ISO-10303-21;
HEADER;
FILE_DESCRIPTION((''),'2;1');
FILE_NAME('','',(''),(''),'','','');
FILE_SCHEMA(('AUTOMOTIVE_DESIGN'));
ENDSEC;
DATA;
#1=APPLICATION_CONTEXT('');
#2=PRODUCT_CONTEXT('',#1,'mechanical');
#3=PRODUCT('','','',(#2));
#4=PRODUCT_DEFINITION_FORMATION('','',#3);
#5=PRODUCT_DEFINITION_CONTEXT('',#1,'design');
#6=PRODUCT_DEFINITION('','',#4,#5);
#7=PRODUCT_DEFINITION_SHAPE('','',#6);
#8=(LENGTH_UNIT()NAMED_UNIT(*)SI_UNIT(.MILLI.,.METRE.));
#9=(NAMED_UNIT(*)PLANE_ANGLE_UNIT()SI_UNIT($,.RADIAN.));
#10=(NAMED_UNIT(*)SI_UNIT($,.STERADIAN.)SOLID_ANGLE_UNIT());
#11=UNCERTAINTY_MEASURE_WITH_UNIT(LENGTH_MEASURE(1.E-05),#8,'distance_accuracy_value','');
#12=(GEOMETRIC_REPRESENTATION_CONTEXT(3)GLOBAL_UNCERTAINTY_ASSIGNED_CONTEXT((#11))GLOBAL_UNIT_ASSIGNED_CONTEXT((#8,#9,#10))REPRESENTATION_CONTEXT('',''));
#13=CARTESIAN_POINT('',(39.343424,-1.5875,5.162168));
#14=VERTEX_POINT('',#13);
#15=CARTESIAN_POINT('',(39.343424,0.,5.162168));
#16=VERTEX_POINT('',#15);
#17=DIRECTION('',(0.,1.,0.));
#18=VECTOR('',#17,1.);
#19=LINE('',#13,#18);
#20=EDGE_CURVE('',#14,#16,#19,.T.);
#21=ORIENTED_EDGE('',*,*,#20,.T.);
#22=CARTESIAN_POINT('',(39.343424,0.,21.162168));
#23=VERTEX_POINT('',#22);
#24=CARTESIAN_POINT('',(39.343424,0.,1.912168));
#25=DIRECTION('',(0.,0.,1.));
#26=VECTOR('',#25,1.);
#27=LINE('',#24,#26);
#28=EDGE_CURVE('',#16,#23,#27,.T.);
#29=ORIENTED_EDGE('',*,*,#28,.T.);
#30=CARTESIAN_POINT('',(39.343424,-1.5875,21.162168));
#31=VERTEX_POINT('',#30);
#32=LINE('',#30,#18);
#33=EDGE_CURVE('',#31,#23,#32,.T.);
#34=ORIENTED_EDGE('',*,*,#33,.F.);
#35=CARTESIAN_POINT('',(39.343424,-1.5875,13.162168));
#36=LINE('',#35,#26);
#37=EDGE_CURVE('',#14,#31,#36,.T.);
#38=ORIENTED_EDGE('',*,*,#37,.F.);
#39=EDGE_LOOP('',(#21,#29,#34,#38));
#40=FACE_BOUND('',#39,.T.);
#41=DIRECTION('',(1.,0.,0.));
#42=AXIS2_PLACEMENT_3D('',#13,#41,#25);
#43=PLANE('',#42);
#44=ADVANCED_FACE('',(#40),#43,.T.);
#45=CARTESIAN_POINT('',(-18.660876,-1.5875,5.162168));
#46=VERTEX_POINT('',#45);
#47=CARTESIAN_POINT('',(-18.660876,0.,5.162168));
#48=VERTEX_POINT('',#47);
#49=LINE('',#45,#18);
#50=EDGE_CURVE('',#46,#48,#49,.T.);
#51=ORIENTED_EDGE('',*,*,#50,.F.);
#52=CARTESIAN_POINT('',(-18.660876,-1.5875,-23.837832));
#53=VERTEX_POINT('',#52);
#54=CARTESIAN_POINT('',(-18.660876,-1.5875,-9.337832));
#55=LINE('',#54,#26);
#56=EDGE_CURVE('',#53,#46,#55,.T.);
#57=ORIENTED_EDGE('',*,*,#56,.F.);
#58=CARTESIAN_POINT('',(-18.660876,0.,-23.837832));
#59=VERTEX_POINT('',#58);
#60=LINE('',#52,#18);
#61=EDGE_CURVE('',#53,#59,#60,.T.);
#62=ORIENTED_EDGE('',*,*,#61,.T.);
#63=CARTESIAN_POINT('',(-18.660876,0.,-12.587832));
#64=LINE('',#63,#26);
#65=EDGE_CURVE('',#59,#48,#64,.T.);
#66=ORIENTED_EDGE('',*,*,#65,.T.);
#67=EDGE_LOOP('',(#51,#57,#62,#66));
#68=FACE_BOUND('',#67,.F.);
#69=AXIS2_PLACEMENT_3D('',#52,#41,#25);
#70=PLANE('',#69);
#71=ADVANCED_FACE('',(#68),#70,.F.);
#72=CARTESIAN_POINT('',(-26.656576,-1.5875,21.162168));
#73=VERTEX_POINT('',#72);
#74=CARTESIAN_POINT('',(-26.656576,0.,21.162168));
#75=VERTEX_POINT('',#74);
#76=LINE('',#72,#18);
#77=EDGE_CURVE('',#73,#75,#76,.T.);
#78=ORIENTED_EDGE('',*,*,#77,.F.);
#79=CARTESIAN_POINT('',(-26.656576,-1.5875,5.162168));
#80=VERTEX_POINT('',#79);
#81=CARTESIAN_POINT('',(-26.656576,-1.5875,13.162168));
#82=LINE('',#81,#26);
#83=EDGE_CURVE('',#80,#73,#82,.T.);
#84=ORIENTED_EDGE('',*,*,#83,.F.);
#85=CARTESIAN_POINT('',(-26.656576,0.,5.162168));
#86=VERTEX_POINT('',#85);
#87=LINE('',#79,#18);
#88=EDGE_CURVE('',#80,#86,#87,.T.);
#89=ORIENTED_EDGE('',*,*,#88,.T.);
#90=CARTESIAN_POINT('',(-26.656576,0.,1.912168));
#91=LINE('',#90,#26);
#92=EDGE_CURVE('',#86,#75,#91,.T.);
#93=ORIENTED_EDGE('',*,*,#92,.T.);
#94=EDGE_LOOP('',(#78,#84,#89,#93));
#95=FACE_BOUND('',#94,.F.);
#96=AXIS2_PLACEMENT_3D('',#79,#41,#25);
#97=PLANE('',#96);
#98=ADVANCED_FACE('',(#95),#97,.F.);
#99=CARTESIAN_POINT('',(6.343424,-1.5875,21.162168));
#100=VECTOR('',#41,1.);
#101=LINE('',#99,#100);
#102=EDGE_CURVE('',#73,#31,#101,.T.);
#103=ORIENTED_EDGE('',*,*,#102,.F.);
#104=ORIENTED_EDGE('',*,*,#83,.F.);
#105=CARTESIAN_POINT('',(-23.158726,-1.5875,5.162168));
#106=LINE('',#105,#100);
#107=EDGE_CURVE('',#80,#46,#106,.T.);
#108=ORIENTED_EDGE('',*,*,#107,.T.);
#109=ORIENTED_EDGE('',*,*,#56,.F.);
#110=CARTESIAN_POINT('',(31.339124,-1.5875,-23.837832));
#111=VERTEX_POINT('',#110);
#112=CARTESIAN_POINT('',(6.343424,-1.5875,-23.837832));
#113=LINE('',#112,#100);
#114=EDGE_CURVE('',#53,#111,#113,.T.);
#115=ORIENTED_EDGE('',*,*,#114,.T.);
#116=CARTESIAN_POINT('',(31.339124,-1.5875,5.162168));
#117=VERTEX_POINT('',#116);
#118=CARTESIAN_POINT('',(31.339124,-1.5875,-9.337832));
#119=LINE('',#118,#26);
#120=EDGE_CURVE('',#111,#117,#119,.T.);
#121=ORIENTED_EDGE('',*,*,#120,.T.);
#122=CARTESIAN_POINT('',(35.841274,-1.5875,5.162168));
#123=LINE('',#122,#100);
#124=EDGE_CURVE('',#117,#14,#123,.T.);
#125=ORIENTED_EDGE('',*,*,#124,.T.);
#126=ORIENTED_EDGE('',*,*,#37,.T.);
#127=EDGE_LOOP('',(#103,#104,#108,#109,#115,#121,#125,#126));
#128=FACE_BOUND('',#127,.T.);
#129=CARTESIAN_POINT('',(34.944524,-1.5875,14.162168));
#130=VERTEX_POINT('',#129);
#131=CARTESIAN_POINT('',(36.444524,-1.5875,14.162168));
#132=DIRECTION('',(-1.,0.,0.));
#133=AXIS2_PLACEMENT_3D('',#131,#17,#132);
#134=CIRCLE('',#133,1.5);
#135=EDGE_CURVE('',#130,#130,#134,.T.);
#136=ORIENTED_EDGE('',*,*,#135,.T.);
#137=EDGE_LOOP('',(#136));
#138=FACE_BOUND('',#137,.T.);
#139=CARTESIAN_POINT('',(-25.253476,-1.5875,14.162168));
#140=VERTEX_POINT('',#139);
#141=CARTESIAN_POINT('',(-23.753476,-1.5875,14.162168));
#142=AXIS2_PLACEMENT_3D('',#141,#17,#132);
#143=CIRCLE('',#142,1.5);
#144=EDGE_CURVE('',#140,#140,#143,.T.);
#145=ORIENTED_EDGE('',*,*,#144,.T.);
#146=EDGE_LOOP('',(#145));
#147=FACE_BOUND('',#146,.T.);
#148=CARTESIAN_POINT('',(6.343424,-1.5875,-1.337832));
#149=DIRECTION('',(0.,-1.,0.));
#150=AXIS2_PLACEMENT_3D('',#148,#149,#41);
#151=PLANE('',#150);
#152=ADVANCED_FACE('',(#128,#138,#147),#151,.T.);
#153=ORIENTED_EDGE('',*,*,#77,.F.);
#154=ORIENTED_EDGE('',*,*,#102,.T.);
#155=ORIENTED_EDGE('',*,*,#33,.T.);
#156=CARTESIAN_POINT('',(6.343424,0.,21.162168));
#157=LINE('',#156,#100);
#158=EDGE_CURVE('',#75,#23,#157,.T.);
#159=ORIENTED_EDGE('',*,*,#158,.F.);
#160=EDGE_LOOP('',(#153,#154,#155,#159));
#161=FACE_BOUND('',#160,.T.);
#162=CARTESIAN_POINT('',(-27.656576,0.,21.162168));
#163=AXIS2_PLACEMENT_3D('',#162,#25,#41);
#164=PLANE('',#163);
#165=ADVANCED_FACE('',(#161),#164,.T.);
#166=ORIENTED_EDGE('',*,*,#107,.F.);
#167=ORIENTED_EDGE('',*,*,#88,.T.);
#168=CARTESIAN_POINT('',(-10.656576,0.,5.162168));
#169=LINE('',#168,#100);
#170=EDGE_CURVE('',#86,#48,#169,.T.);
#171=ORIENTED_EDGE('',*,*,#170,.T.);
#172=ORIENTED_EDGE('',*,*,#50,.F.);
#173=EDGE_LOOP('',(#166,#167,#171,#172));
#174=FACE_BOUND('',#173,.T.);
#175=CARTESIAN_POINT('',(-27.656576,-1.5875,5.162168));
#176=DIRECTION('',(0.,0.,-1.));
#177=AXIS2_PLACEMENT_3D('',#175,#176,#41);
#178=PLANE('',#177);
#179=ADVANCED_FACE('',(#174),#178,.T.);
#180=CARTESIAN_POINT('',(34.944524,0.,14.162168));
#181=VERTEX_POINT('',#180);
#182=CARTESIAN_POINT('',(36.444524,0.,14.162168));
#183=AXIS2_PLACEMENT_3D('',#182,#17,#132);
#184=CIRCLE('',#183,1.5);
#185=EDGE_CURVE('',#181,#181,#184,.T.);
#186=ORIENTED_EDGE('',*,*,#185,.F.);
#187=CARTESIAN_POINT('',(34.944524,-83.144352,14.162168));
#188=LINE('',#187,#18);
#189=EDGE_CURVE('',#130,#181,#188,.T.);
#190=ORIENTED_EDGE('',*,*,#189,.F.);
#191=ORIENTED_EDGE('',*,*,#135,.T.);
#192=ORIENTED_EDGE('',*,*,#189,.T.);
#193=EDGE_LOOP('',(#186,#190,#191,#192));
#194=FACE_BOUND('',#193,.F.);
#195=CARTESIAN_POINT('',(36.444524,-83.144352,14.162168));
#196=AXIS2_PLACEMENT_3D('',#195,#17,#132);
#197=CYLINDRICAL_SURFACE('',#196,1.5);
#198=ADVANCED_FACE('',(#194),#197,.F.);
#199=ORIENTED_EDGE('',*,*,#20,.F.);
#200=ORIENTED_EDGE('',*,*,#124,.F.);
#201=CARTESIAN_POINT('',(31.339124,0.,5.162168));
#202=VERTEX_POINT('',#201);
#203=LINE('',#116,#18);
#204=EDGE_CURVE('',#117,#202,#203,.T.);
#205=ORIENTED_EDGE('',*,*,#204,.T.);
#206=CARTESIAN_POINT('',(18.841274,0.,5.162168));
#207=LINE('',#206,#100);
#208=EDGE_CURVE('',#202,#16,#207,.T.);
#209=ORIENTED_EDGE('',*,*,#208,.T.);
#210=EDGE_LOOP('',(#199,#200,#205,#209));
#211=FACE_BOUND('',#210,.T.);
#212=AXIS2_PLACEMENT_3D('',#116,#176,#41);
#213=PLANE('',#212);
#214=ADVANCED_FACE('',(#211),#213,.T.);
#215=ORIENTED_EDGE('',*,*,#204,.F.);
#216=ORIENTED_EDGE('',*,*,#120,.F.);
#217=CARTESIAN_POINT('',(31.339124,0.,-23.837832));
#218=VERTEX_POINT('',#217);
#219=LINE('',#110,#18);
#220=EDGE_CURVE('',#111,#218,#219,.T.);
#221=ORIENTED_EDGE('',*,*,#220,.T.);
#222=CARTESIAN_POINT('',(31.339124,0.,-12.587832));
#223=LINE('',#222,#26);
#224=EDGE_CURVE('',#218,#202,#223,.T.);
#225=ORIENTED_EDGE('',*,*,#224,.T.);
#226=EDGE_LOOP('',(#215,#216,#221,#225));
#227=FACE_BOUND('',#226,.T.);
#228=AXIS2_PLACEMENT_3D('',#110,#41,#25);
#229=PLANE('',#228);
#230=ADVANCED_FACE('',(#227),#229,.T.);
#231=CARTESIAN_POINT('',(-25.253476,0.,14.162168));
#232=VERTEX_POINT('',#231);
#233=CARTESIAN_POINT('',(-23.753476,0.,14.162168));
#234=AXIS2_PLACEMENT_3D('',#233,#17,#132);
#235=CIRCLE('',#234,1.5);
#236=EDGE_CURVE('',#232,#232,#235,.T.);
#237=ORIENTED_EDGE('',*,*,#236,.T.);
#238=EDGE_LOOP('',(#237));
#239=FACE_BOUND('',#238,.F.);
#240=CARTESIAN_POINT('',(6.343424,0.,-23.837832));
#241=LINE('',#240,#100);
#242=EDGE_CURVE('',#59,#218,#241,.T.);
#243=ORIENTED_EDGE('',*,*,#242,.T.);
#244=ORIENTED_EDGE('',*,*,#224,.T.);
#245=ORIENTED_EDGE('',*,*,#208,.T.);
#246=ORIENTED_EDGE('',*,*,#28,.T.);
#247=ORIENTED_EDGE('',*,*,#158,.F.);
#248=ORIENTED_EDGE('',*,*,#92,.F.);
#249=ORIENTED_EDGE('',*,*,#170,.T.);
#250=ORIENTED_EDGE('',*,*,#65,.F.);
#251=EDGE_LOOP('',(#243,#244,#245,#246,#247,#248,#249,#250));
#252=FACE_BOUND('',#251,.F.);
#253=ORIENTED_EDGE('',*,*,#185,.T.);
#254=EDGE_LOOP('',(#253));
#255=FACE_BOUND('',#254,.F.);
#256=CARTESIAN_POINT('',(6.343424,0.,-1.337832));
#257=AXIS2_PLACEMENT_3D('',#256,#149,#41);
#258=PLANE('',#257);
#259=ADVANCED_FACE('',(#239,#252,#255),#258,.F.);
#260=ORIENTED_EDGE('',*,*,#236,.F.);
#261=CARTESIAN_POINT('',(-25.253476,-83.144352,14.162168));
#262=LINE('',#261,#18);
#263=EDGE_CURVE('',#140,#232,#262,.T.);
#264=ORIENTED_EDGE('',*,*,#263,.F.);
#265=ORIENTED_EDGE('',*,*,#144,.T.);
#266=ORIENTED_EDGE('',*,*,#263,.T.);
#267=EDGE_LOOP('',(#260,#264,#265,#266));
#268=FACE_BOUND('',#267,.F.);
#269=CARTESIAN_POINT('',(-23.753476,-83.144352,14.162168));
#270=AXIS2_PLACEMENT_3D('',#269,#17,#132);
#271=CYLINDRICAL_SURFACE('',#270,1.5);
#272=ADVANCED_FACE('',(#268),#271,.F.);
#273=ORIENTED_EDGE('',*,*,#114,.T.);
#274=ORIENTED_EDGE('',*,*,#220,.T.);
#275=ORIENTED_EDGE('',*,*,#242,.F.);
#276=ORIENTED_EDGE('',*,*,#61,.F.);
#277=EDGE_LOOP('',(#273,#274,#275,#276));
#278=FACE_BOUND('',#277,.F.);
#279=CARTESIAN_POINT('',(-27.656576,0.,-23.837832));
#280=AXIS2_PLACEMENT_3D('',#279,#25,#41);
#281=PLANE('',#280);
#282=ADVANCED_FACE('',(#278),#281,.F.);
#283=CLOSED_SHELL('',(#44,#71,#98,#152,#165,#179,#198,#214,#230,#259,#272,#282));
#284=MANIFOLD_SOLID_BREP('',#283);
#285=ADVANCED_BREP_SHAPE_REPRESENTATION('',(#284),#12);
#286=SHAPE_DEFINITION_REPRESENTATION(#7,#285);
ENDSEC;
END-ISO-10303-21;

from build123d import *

# Parameters (mm, degrees)
F0_W     = 68
F0_H     = 45
F1_DEPTH = 1.5875
F2_W     = 8.9957
F2_H     = 29
F2_W_2   = 9.0043
F3_DEPTH = 25.4
F4_D     = 3
F5_W     = 1
F5_H     = 16
F6_DEPTH = 25.4


with BuildPart() as f1:
    # F0 (on Front) → F1 (new body)
    with BuildSketch(Plane.XZ):
        with Locations((6.343424, -1.337832)):
            Rectangle(F0_W, F0_H)
    extrude(amount=F1_DEPTH)

    # F2 (on face) → F3 (cut)
    with BuildSketch(Plane.XZ.offset(1.5875)):
        with Locations((-23.158726, -9.337832)):
            Rectangle(F2_W, F2_H)
        with Locations((35.841274, -9.337832)):
            Rectangle(F2_W_2, F2_H)
    extrude(amount=-F3_DEPTH, mode=Mode.SUBTRACT)

    # F4 (through all)
    with Locations(Plane.XZ.offset(1.5875)):
        with Locations((-23.753476, 14.162168), (36.444524, 14.162168)):
            Hole(F4_D / 2)

    # F5 (on face) → F6 (cut)
    with BuildSketch(Plane.XZ.offset(1.5875)):
        with Locations((-27.156576, 13.162168)):
            Rectangle(F5_W, F5_H)
        with Locations((39.843424, 13.162168)):
            Rectangle(F5_W, F5_H)
    extrude(amount=-F6_DEPTH, mode=Mode.SUBTRACT)


solid = f1.part
